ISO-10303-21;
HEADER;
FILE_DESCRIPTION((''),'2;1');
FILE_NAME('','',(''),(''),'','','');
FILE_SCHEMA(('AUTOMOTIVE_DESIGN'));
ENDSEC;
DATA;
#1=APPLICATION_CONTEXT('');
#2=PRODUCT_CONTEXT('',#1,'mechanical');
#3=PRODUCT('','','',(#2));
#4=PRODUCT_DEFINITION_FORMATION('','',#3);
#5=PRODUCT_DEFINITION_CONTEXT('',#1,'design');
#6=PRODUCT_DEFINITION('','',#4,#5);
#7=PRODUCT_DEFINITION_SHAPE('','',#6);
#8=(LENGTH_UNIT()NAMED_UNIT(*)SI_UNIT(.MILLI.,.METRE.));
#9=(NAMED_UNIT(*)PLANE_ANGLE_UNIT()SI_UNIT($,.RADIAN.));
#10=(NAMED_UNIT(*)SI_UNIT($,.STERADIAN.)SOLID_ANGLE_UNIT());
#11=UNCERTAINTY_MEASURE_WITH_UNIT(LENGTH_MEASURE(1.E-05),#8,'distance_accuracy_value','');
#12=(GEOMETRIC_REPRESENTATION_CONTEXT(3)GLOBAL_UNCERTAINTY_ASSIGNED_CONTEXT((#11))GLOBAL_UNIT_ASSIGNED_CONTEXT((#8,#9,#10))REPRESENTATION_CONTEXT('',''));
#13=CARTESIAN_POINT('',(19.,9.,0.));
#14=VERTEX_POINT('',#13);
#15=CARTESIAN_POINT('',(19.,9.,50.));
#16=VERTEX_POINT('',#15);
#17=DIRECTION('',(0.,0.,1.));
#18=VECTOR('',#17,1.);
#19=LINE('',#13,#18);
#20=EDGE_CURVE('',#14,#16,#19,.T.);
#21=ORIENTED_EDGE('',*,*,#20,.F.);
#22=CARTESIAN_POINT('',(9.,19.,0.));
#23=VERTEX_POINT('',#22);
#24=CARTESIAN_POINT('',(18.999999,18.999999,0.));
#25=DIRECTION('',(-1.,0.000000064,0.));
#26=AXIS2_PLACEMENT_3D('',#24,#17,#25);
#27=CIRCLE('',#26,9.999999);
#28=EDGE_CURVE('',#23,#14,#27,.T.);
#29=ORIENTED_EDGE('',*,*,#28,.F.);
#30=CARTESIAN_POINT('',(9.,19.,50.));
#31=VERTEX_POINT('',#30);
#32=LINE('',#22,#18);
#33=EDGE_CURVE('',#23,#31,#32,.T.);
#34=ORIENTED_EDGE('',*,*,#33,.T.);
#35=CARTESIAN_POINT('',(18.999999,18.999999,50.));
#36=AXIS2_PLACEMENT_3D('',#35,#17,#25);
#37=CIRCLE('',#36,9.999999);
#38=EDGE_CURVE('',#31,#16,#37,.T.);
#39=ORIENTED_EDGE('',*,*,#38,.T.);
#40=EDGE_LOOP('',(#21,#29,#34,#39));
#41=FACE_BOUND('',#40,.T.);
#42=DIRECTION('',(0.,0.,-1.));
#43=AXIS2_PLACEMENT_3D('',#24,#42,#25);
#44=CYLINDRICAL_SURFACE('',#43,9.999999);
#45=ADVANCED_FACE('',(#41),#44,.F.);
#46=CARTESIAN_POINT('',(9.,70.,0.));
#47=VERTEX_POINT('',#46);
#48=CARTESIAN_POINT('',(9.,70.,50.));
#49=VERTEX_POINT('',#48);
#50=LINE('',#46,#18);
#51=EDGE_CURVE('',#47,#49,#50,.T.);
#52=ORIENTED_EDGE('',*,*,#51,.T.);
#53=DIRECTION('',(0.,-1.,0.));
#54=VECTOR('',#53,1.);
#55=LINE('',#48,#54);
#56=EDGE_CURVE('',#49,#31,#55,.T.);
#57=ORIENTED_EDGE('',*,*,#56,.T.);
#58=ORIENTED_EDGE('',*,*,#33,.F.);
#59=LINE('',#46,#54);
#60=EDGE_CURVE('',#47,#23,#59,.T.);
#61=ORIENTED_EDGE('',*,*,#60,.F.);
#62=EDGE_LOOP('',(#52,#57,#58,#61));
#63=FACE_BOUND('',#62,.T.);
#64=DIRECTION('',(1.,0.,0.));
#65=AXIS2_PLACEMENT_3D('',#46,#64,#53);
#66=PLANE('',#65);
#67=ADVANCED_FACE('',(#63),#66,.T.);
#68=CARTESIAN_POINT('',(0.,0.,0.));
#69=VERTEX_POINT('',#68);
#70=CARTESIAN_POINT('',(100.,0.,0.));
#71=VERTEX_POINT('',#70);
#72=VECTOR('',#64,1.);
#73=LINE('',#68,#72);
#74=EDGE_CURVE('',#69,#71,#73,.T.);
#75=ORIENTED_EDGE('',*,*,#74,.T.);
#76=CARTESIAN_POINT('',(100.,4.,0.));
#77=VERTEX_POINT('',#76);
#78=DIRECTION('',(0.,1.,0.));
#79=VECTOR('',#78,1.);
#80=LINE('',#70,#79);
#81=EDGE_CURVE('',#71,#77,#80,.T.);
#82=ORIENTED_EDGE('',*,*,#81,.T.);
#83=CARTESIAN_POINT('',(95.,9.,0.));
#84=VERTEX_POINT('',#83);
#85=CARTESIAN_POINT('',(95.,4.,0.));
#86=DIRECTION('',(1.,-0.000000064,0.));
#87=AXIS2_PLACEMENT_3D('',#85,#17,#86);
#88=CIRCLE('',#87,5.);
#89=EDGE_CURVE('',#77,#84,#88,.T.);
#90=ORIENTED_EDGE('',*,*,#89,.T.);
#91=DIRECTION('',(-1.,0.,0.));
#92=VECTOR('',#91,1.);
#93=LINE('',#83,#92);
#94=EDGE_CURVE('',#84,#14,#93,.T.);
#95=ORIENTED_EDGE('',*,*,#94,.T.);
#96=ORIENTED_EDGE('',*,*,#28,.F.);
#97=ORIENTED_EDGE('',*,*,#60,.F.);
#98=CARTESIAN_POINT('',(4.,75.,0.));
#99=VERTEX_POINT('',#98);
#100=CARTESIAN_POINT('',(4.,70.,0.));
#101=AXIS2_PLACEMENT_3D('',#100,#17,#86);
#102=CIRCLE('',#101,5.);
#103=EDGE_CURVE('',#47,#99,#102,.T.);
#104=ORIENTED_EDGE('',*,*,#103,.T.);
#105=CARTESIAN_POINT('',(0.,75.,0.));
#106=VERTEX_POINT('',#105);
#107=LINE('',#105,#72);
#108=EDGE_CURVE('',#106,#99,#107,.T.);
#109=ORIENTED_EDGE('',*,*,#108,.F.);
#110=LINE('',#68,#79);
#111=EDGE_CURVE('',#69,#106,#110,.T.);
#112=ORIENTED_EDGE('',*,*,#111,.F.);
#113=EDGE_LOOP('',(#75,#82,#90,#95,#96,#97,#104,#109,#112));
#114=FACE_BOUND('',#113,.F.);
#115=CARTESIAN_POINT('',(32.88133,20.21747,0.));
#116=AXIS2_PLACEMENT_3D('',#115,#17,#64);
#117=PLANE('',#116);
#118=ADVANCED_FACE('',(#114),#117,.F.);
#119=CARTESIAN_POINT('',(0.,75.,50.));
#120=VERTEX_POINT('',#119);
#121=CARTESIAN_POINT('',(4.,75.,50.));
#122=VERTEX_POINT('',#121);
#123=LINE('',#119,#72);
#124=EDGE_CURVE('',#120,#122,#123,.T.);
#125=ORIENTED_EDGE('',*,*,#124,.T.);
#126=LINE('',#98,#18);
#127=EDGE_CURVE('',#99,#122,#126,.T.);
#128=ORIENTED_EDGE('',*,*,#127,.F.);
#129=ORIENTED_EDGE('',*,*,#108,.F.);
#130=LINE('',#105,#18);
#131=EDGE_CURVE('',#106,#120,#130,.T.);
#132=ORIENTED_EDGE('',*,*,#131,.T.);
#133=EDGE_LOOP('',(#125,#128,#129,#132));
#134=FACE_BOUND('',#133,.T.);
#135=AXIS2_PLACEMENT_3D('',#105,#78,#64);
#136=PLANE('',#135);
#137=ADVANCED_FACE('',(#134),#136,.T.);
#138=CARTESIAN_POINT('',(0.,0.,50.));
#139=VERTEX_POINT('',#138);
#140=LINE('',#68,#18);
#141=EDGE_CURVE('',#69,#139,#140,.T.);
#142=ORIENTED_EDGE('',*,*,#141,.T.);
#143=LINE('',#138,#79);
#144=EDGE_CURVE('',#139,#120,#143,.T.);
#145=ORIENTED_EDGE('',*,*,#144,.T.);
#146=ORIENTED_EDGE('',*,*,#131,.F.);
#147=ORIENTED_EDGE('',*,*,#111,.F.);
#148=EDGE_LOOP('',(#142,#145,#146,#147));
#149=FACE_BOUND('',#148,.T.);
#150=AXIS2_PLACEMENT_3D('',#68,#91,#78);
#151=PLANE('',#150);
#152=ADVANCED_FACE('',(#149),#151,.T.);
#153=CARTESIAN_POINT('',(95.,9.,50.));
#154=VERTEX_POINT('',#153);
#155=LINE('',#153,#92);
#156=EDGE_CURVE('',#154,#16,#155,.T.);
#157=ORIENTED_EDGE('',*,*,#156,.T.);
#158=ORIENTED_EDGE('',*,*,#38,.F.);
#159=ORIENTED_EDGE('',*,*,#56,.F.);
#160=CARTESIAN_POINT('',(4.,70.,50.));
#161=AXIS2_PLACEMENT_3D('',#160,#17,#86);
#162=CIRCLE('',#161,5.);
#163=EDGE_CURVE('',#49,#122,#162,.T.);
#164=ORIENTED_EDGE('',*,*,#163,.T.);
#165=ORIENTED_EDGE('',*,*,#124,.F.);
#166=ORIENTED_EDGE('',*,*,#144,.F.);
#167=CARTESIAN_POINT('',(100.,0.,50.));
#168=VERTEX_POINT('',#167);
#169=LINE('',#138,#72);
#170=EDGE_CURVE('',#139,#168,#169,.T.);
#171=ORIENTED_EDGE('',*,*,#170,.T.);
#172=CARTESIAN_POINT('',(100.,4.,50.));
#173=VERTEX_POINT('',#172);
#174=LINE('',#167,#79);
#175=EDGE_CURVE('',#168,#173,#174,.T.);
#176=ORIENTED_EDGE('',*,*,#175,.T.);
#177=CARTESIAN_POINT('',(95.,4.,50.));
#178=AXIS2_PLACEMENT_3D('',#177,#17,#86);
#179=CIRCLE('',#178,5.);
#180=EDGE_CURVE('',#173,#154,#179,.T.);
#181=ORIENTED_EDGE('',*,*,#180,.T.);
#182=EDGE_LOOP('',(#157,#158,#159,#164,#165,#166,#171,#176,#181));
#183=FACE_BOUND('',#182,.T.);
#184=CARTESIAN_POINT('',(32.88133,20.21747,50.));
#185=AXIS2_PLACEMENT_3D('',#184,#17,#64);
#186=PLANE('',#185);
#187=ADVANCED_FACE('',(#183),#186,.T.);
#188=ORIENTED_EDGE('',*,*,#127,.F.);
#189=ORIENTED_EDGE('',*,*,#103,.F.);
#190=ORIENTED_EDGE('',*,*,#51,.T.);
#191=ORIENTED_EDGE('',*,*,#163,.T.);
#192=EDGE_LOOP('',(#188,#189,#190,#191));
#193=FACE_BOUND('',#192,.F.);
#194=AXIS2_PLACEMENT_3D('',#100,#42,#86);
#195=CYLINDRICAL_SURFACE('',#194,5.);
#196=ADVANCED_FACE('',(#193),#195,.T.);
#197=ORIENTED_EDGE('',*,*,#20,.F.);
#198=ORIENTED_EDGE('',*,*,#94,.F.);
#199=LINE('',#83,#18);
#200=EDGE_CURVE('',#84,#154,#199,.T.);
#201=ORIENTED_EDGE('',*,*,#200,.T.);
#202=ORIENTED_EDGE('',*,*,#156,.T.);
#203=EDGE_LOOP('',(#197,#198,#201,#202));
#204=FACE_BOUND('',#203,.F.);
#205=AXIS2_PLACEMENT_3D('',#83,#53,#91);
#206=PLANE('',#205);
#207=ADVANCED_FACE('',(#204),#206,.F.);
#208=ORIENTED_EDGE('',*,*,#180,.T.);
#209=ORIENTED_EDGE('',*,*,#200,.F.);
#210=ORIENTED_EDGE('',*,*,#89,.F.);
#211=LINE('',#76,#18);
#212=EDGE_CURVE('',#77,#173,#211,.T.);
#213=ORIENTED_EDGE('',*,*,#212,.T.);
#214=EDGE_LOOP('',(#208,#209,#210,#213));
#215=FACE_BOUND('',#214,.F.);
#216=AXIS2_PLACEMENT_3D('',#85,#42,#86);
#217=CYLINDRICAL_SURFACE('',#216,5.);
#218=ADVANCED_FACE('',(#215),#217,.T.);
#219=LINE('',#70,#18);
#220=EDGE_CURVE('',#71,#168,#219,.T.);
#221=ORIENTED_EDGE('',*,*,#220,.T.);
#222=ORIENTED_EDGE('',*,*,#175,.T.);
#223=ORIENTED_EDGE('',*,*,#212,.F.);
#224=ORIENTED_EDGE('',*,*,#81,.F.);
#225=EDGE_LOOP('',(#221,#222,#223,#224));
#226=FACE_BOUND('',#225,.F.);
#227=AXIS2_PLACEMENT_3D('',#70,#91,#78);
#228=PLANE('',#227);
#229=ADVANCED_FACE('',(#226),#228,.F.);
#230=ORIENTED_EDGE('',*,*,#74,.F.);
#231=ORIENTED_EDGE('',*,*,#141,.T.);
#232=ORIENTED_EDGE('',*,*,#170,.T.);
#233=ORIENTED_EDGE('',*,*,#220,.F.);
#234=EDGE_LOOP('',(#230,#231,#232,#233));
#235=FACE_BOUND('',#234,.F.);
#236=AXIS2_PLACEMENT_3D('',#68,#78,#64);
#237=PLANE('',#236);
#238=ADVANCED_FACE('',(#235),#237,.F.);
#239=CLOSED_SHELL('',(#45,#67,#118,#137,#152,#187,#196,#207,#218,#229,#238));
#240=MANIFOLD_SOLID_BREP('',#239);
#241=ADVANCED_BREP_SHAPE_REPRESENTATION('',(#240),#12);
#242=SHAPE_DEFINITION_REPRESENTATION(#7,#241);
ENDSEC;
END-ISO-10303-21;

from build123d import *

# Parameters (mm, degrees)
EXTRUDE_DEPTH = 50


with BuildPart() as part:
    # Sketch → Extrude (new body)
    with BuildSketch(Plane.XY):
        with BuildLine():
            Line((0, 0), (100, 0))
            Line((100, 0), (100, 4))
            ThreePointArc((100, 4), (98.535534, 7.535534), (95, 9))
            Line((95, 9), (19, 9))
            ThreePointArc((9, 19), (11.928932, 11.928932), (19, 9))
            Line((9, 70), (9, 19))
            ThreePointArc((9, 70), (7.535534, 73.535534), (4, 75))
            Line((0, 75), (4, 75))
            Line((0, 0), (0, 75))
        make_face()
    extrude(amount=EXTRUDE_DEPTH)


solid = part.part
